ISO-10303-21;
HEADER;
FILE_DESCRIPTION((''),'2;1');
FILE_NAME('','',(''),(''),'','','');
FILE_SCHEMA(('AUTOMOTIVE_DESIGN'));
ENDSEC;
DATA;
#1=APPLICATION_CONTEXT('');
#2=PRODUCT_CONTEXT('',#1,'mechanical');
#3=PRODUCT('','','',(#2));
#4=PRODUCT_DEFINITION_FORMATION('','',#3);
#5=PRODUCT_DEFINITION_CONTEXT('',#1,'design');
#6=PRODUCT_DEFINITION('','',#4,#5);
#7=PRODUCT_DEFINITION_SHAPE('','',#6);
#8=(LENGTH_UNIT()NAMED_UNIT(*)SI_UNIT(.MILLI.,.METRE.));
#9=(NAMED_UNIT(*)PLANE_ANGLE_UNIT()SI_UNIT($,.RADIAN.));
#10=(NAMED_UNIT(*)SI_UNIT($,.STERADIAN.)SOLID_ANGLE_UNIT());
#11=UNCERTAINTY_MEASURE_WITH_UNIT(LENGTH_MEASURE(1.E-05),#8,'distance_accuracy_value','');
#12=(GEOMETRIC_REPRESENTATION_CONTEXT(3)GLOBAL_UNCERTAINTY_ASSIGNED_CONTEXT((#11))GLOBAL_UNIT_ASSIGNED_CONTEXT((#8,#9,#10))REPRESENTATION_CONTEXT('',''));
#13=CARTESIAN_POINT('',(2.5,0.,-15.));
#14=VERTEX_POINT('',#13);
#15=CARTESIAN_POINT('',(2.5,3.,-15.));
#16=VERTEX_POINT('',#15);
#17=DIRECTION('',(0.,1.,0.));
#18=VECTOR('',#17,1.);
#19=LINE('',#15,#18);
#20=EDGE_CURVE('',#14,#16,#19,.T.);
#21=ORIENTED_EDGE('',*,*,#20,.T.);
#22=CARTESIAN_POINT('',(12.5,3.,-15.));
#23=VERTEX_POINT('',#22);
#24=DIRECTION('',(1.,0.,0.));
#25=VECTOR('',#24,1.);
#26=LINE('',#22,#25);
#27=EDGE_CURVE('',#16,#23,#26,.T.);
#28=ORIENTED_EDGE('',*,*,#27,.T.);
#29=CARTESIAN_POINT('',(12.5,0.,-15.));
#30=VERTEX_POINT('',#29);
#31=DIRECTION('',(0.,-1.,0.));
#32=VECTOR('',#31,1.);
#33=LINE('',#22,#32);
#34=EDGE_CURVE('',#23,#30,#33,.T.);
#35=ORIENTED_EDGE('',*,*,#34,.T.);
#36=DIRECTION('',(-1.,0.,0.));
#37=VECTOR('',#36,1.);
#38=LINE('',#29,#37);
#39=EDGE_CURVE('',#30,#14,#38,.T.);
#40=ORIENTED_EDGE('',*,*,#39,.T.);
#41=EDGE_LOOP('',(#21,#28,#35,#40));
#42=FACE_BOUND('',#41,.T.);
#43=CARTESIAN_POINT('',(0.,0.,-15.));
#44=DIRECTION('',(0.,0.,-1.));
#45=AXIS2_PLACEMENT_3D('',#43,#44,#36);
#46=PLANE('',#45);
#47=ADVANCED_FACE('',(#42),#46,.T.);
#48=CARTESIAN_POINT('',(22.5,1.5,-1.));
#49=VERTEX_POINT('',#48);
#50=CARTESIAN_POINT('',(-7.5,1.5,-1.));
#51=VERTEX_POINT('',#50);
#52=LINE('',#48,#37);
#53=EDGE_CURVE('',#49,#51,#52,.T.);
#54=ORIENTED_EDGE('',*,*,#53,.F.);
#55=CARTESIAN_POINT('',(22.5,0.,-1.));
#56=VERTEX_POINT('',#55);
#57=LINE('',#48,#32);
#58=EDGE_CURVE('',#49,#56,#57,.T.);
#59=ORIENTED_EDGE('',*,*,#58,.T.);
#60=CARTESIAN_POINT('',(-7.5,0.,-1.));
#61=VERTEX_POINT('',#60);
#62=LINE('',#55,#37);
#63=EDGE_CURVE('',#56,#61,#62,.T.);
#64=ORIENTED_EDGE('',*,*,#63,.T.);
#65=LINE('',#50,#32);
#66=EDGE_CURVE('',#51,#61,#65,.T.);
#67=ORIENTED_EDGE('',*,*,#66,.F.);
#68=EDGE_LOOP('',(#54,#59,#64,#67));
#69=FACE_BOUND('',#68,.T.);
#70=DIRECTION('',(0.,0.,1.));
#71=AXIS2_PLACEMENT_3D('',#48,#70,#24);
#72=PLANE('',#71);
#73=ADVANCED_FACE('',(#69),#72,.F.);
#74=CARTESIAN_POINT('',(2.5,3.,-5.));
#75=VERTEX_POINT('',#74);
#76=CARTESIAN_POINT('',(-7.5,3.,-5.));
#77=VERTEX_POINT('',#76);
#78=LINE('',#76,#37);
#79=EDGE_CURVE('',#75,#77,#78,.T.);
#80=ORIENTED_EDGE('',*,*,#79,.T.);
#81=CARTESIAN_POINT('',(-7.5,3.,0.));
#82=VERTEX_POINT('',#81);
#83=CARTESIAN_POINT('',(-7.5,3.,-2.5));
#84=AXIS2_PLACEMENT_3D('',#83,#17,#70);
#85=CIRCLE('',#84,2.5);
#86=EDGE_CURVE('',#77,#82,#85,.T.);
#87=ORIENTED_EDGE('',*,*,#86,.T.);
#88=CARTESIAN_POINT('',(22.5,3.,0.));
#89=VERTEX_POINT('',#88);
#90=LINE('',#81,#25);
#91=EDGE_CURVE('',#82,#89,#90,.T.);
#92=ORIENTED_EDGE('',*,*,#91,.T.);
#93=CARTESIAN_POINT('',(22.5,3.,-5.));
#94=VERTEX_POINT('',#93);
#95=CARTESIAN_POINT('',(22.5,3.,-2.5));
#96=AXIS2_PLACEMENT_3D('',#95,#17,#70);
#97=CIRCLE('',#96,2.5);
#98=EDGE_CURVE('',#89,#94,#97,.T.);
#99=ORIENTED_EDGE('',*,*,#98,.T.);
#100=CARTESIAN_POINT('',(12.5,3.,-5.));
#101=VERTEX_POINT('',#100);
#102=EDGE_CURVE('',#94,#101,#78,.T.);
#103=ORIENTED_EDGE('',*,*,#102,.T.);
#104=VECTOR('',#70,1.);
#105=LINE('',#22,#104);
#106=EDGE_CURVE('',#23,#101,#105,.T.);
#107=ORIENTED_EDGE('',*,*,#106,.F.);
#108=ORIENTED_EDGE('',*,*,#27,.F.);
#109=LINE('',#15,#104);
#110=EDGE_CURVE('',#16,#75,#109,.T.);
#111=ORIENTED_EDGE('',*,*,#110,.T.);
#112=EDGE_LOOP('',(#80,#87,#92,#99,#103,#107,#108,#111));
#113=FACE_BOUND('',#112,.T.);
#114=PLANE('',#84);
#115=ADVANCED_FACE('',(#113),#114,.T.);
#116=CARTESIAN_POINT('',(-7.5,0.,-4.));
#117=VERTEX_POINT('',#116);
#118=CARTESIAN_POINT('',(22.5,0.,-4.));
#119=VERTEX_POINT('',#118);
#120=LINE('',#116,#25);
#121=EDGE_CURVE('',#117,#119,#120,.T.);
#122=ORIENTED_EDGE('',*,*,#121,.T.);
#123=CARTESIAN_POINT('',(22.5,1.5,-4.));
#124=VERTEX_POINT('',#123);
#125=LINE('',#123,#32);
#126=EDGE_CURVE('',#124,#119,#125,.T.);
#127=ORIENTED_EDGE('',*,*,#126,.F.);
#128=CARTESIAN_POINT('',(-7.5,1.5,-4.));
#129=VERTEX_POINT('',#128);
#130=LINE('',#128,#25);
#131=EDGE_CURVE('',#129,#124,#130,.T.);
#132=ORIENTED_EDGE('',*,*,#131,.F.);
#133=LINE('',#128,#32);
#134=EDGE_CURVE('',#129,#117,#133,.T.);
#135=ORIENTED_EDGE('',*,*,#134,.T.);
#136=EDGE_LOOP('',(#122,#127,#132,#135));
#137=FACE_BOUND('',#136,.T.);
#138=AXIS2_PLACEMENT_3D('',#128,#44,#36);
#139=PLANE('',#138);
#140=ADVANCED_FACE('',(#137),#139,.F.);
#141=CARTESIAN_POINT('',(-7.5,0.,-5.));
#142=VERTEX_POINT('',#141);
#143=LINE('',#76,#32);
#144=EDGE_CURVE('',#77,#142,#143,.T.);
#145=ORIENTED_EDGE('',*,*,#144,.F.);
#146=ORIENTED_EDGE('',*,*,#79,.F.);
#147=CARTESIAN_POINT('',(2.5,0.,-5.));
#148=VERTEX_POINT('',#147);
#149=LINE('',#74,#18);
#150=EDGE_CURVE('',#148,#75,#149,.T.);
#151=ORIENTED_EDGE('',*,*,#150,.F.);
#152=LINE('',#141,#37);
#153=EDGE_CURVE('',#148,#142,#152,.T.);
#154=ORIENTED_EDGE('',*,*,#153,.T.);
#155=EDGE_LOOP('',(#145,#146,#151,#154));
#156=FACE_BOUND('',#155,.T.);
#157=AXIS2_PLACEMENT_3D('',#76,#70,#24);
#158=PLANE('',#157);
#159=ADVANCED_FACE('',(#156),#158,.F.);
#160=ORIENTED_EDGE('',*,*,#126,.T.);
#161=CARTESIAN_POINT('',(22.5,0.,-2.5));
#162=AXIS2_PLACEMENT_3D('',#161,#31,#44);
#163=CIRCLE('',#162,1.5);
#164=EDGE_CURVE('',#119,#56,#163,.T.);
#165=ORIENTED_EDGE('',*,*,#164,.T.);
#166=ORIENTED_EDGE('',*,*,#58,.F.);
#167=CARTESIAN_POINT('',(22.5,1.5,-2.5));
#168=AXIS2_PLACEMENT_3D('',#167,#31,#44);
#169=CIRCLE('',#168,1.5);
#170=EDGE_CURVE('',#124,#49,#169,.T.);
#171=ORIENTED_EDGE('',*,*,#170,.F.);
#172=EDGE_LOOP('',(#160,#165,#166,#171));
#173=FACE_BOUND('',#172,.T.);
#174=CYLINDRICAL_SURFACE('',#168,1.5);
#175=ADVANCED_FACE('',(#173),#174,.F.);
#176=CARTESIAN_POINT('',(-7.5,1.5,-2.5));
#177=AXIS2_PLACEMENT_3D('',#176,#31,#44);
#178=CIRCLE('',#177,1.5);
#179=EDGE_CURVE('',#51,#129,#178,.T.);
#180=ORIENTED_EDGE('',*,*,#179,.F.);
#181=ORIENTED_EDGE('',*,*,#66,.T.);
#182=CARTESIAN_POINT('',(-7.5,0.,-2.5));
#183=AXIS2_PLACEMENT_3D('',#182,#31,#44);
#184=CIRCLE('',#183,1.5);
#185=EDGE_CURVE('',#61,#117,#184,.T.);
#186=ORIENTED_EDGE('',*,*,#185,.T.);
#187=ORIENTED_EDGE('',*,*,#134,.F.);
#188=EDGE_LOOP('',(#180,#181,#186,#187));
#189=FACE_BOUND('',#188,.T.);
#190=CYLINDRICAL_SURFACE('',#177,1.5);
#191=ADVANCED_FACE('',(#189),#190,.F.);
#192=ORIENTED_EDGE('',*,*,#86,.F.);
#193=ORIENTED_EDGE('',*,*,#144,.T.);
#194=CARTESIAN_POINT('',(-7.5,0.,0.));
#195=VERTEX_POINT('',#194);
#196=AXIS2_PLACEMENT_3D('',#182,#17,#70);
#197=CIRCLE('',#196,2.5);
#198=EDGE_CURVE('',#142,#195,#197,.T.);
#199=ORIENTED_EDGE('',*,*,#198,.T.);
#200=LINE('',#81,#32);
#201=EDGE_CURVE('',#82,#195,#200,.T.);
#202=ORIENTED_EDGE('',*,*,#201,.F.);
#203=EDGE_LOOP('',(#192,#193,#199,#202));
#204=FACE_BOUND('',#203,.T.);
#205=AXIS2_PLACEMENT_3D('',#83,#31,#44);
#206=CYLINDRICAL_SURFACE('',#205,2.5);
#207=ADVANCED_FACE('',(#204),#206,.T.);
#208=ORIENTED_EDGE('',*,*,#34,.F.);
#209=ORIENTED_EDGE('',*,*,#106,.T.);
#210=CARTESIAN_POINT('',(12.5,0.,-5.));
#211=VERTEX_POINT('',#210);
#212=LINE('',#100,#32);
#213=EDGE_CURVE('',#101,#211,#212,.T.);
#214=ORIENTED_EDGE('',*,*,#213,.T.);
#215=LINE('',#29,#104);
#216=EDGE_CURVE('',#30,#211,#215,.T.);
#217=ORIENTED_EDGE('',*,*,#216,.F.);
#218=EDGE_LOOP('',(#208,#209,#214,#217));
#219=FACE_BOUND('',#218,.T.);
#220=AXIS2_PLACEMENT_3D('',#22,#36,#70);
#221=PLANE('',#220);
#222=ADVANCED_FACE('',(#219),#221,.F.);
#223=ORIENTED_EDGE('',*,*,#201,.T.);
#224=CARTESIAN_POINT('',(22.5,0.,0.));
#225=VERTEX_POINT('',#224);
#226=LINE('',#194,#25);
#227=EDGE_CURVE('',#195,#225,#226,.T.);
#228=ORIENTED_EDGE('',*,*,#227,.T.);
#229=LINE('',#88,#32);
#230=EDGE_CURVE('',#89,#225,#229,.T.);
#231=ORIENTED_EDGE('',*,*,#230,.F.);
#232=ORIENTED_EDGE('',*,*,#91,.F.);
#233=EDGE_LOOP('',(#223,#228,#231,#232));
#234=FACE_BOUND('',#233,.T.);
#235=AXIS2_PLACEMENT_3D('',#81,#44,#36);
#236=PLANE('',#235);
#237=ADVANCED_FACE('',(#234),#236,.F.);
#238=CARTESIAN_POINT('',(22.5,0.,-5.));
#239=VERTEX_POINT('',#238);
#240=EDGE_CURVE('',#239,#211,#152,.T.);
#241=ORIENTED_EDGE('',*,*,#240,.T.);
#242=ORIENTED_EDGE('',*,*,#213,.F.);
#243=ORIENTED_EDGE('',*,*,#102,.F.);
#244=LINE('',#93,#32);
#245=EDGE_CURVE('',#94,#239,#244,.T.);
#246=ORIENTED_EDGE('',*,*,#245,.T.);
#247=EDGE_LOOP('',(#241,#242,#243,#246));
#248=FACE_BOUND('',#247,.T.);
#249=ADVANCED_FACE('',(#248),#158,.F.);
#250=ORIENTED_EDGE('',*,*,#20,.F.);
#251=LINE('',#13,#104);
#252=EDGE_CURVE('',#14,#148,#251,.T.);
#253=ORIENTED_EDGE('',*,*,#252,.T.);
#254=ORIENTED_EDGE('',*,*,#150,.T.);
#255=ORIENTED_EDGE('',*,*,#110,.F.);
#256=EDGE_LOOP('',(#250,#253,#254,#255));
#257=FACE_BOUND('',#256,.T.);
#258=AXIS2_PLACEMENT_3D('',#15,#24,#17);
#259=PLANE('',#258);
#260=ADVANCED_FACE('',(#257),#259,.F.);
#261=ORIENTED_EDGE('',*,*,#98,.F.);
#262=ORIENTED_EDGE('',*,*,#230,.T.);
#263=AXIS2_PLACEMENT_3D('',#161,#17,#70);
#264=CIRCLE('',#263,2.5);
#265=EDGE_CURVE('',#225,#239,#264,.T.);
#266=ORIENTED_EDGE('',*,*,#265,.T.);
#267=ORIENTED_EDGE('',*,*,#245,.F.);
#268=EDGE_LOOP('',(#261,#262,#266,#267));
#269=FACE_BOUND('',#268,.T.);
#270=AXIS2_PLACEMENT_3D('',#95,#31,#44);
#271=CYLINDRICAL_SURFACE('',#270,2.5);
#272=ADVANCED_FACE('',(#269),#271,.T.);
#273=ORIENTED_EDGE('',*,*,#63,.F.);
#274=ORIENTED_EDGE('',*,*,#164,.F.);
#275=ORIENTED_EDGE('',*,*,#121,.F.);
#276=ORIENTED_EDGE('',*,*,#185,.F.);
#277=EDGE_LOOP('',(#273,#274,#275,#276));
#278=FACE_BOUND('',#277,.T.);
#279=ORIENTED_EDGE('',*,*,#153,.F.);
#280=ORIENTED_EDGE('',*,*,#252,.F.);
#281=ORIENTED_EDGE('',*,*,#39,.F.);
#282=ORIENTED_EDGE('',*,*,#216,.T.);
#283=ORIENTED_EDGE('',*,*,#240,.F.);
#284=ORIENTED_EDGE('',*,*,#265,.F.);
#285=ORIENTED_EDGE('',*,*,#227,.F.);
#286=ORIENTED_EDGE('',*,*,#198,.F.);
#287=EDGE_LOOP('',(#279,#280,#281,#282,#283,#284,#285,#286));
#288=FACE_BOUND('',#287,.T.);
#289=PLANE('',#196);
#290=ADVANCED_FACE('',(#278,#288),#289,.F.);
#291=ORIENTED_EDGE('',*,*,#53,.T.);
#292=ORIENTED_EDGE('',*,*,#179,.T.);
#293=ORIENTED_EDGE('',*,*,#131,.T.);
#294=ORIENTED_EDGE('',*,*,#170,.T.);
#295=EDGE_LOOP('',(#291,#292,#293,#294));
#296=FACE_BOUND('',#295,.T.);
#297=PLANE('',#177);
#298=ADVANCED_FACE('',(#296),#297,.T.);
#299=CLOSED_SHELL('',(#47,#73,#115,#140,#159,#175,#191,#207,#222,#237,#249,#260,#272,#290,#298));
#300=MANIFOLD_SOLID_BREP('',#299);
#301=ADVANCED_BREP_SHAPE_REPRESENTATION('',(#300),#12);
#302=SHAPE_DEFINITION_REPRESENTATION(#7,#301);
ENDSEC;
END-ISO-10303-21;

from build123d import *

# Parameters (mm, degrees)
BOSS_EXTRUDE1_DEPTH = 3
CUT_EXTRUDE1_DEPTH  = 1.5
SKETCH4_W           = 10
SKETCH4_H           = 3
BOSS_EXTRUDE3_DEPTH = 10


with BuildPart() as part:
    # Sketch1 → Boss-Extrude1 (new body)
    with BuildSketch(Plane(origin=(0, 0, 0), x_dir=(1, 0, 0), z_dir=(0, 1, 0))):
        with BuildLine():
            Line((-7.499999551, 0), (22.5, 0))
            ThreePointArc((22.5, 0), (25, 2.5), (22.5, 5))
            Line((22.5, 5), (-7.5, 5))
            ThreePointArc((-7.5, 5), (-10, 2.499999775), (-7.499999551, 0))
        make_face()
    extrude(amount=BOSS_EXTRUDE1_DEPTH)

    # Sketch2 → Cut-Extrude1 (cut)
    with BuildSketch(Plane.XZ):
        with BuildLine():
            Line((-7.5, -4), (22.5, -4))
            ThreePointArc((22.5, -4), (24, -2.5), (22.5, -1))
            Line((22.5, -1), (-7.49999973, -1))
            ThreePointArc((-7.49999973, -1), (-9, -2.499999865), (-7.5, -4))
        make_face()
    extrude(amount=-CUT_EXTRUDE1_DEPTH, mode=Mode.SUBTRACT)

    # Sketch4 → Boss-Extrude3 (add)
    with BuildSketch(Plane(origin=(0, 0, -5), x_dir=(-1, 0, 0), z_dir=(0, 0, -1))):
        with Locations((-7.5, 1.5)):
            Rectangle(SKETCH4_W, SKETCH4_H)
    extrude(amount=BOSS_EXTRUDE3_DEPTH)


solid = part.part
